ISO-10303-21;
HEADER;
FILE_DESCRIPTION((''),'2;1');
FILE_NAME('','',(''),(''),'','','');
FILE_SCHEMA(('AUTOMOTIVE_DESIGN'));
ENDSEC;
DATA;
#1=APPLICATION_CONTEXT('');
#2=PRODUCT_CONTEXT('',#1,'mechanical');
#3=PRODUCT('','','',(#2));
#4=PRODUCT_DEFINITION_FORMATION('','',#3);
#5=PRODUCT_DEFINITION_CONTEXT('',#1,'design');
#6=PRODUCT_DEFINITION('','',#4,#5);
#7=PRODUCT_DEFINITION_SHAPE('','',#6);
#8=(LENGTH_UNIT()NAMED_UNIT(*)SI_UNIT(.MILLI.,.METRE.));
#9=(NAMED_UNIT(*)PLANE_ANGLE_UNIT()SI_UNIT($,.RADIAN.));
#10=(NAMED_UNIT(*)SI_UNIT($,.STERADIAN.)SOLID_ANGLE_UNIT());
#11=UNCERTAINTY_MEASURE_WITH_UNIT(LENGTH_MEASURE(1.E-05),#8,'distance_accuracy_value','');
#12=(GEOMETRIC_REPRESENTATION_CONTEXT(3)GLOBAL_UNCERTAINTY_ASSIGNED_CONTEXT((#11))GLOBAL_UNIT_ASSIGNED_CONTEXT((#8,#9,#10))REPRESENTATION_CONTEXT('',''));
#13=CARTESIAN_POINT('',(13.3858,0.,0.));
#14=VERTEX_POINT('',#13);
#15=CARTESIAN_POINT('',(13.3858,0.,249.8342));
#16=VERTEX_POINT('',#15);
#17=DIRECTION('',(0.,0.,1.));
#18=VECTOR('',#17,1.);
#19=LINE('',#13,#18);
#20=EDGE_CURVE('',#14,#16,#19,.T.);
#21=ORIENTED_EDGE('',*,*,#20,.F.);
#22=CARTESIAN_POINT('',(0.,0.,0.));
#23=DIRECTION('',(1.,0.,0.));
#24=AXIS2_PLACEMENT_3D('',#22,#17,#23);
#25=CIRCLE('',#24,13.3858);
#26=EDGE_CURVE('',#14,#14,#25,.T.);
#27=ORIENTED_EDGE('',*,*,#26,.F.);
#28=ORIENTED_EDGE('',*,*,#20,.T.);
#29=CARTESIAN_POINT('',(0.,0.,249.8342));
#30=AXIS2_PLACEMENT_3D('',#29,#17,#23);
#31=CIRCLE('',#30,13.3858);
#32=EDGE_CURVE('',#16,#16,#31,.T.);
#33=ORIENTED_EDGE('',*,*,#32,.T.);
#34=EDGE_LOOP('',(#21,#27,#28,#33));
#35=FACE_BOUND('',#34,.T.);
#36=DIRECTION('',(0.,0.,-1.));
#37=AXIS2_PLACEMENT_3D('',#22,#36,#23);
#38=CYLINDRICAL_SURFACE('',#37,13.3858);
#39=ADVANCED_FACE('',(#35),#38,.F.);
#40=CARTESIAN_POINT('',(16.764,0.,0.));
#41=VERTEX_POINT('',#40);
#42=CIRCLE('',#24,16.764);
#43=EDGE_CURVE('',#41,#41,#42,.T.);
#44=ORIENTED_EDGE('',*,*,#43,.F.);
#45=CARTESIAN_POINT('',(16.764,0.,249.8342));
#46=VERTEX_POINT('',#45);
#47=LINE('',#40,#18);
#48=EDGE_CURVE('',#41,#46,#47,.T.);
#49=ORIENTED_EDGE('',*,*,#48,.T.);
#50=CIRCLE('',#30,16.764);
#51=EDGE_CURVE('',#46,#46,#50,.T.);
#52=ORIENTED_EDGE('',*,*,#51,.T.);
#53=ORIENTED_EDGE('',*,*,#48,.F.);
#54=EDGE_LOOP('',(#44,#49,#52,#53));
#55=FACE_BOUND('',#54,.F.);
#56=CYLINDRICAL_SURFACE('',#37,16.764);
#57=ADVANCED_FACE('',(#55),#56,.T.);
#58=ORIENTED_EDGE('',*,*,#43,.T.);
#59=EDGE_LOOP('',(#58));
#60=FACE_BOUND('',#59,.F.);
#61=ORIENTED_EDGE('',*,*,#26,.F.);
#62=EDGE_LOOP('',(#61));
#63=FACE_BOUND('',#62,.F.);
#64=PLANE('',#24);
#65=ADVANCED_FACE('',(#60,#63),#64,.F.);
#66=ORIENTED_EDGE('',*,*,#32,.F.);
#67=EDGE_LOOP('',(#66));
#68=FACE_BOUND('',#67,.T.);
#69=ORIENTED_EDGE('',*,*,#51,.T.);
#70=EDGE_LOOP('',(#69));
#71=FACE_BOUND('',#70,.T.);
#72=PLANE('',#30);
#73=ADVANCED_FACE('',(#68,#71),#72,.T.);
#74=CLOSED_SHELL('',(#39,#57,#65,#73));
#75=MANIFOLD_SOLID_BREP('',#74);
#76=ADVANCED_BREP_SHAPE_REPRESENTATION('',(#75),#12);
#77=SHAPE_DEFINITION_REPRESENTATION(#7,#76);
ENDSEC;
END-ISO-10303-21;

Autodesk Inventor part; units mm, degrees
ref_plane "YZ Plane" through (0, 0, 0) normal (1, 0, 0) x (0, 1, 0)
ref_plane "Start Plane" through (0, 0, 0) normal (0, 0, 1) x (1, 0, 0)
ref_plane "End Plane" through (0, 0, 249.8342) normal (0, 0, 1) x (1, 0, 0)
sketch "Sketch" plane through (0, 0, 0) normal (0, 0, 1) x (1, 0, 0)
  circle A0 centre (0, 0) radius 13.3858
  circle A1 centre (0, 0) radius 16.764
  dimension "d0" = 33.528
  dimension "d1" = 3.3782
extrude "Body" add sketch "Sketch" along normal up to surface (249.8342 mm away) from surface at 0
sketch "Sketch3" plane through (0, 0, 0) normal (0, 0, 1) x (1, 0, 0)
  line L0 (0, 0) -> (10, 0)
ref_plane "Work Plane3" through (0, 0, 0) normal (0, -1, 0) x (1, 0, 0)
sketch "Sketch4" plane through (0, 0, 0) normal (0, -1, 0) x (1, 0, 0)
  line L0 (-2, 0) -> (12, 0) projected
  line L1 (-2, 249.8342) -> (12, 249.8342) projected
  dimension "d7" = 249.8341
equation "\"d0\" = G_H"
equation "\"d1\" = G_T"
equation "\"d2\" = G_L"
equation "\"G_H\" = 33.528"
equation "\"G_T\" = 3.3782"
equation "\"G_L\" = d7"
equation "\"G_OFFSET_START\" = 0"
equation "\"G_OFFSET_END\" = 0"
equation "\"d5\" = G_OFFSET_END + B_L"
equation "\"B_L\" = 249.83415"
properties part number "ANSI - 1 x 0.133 - 9.836" material "Steel, Mild"
